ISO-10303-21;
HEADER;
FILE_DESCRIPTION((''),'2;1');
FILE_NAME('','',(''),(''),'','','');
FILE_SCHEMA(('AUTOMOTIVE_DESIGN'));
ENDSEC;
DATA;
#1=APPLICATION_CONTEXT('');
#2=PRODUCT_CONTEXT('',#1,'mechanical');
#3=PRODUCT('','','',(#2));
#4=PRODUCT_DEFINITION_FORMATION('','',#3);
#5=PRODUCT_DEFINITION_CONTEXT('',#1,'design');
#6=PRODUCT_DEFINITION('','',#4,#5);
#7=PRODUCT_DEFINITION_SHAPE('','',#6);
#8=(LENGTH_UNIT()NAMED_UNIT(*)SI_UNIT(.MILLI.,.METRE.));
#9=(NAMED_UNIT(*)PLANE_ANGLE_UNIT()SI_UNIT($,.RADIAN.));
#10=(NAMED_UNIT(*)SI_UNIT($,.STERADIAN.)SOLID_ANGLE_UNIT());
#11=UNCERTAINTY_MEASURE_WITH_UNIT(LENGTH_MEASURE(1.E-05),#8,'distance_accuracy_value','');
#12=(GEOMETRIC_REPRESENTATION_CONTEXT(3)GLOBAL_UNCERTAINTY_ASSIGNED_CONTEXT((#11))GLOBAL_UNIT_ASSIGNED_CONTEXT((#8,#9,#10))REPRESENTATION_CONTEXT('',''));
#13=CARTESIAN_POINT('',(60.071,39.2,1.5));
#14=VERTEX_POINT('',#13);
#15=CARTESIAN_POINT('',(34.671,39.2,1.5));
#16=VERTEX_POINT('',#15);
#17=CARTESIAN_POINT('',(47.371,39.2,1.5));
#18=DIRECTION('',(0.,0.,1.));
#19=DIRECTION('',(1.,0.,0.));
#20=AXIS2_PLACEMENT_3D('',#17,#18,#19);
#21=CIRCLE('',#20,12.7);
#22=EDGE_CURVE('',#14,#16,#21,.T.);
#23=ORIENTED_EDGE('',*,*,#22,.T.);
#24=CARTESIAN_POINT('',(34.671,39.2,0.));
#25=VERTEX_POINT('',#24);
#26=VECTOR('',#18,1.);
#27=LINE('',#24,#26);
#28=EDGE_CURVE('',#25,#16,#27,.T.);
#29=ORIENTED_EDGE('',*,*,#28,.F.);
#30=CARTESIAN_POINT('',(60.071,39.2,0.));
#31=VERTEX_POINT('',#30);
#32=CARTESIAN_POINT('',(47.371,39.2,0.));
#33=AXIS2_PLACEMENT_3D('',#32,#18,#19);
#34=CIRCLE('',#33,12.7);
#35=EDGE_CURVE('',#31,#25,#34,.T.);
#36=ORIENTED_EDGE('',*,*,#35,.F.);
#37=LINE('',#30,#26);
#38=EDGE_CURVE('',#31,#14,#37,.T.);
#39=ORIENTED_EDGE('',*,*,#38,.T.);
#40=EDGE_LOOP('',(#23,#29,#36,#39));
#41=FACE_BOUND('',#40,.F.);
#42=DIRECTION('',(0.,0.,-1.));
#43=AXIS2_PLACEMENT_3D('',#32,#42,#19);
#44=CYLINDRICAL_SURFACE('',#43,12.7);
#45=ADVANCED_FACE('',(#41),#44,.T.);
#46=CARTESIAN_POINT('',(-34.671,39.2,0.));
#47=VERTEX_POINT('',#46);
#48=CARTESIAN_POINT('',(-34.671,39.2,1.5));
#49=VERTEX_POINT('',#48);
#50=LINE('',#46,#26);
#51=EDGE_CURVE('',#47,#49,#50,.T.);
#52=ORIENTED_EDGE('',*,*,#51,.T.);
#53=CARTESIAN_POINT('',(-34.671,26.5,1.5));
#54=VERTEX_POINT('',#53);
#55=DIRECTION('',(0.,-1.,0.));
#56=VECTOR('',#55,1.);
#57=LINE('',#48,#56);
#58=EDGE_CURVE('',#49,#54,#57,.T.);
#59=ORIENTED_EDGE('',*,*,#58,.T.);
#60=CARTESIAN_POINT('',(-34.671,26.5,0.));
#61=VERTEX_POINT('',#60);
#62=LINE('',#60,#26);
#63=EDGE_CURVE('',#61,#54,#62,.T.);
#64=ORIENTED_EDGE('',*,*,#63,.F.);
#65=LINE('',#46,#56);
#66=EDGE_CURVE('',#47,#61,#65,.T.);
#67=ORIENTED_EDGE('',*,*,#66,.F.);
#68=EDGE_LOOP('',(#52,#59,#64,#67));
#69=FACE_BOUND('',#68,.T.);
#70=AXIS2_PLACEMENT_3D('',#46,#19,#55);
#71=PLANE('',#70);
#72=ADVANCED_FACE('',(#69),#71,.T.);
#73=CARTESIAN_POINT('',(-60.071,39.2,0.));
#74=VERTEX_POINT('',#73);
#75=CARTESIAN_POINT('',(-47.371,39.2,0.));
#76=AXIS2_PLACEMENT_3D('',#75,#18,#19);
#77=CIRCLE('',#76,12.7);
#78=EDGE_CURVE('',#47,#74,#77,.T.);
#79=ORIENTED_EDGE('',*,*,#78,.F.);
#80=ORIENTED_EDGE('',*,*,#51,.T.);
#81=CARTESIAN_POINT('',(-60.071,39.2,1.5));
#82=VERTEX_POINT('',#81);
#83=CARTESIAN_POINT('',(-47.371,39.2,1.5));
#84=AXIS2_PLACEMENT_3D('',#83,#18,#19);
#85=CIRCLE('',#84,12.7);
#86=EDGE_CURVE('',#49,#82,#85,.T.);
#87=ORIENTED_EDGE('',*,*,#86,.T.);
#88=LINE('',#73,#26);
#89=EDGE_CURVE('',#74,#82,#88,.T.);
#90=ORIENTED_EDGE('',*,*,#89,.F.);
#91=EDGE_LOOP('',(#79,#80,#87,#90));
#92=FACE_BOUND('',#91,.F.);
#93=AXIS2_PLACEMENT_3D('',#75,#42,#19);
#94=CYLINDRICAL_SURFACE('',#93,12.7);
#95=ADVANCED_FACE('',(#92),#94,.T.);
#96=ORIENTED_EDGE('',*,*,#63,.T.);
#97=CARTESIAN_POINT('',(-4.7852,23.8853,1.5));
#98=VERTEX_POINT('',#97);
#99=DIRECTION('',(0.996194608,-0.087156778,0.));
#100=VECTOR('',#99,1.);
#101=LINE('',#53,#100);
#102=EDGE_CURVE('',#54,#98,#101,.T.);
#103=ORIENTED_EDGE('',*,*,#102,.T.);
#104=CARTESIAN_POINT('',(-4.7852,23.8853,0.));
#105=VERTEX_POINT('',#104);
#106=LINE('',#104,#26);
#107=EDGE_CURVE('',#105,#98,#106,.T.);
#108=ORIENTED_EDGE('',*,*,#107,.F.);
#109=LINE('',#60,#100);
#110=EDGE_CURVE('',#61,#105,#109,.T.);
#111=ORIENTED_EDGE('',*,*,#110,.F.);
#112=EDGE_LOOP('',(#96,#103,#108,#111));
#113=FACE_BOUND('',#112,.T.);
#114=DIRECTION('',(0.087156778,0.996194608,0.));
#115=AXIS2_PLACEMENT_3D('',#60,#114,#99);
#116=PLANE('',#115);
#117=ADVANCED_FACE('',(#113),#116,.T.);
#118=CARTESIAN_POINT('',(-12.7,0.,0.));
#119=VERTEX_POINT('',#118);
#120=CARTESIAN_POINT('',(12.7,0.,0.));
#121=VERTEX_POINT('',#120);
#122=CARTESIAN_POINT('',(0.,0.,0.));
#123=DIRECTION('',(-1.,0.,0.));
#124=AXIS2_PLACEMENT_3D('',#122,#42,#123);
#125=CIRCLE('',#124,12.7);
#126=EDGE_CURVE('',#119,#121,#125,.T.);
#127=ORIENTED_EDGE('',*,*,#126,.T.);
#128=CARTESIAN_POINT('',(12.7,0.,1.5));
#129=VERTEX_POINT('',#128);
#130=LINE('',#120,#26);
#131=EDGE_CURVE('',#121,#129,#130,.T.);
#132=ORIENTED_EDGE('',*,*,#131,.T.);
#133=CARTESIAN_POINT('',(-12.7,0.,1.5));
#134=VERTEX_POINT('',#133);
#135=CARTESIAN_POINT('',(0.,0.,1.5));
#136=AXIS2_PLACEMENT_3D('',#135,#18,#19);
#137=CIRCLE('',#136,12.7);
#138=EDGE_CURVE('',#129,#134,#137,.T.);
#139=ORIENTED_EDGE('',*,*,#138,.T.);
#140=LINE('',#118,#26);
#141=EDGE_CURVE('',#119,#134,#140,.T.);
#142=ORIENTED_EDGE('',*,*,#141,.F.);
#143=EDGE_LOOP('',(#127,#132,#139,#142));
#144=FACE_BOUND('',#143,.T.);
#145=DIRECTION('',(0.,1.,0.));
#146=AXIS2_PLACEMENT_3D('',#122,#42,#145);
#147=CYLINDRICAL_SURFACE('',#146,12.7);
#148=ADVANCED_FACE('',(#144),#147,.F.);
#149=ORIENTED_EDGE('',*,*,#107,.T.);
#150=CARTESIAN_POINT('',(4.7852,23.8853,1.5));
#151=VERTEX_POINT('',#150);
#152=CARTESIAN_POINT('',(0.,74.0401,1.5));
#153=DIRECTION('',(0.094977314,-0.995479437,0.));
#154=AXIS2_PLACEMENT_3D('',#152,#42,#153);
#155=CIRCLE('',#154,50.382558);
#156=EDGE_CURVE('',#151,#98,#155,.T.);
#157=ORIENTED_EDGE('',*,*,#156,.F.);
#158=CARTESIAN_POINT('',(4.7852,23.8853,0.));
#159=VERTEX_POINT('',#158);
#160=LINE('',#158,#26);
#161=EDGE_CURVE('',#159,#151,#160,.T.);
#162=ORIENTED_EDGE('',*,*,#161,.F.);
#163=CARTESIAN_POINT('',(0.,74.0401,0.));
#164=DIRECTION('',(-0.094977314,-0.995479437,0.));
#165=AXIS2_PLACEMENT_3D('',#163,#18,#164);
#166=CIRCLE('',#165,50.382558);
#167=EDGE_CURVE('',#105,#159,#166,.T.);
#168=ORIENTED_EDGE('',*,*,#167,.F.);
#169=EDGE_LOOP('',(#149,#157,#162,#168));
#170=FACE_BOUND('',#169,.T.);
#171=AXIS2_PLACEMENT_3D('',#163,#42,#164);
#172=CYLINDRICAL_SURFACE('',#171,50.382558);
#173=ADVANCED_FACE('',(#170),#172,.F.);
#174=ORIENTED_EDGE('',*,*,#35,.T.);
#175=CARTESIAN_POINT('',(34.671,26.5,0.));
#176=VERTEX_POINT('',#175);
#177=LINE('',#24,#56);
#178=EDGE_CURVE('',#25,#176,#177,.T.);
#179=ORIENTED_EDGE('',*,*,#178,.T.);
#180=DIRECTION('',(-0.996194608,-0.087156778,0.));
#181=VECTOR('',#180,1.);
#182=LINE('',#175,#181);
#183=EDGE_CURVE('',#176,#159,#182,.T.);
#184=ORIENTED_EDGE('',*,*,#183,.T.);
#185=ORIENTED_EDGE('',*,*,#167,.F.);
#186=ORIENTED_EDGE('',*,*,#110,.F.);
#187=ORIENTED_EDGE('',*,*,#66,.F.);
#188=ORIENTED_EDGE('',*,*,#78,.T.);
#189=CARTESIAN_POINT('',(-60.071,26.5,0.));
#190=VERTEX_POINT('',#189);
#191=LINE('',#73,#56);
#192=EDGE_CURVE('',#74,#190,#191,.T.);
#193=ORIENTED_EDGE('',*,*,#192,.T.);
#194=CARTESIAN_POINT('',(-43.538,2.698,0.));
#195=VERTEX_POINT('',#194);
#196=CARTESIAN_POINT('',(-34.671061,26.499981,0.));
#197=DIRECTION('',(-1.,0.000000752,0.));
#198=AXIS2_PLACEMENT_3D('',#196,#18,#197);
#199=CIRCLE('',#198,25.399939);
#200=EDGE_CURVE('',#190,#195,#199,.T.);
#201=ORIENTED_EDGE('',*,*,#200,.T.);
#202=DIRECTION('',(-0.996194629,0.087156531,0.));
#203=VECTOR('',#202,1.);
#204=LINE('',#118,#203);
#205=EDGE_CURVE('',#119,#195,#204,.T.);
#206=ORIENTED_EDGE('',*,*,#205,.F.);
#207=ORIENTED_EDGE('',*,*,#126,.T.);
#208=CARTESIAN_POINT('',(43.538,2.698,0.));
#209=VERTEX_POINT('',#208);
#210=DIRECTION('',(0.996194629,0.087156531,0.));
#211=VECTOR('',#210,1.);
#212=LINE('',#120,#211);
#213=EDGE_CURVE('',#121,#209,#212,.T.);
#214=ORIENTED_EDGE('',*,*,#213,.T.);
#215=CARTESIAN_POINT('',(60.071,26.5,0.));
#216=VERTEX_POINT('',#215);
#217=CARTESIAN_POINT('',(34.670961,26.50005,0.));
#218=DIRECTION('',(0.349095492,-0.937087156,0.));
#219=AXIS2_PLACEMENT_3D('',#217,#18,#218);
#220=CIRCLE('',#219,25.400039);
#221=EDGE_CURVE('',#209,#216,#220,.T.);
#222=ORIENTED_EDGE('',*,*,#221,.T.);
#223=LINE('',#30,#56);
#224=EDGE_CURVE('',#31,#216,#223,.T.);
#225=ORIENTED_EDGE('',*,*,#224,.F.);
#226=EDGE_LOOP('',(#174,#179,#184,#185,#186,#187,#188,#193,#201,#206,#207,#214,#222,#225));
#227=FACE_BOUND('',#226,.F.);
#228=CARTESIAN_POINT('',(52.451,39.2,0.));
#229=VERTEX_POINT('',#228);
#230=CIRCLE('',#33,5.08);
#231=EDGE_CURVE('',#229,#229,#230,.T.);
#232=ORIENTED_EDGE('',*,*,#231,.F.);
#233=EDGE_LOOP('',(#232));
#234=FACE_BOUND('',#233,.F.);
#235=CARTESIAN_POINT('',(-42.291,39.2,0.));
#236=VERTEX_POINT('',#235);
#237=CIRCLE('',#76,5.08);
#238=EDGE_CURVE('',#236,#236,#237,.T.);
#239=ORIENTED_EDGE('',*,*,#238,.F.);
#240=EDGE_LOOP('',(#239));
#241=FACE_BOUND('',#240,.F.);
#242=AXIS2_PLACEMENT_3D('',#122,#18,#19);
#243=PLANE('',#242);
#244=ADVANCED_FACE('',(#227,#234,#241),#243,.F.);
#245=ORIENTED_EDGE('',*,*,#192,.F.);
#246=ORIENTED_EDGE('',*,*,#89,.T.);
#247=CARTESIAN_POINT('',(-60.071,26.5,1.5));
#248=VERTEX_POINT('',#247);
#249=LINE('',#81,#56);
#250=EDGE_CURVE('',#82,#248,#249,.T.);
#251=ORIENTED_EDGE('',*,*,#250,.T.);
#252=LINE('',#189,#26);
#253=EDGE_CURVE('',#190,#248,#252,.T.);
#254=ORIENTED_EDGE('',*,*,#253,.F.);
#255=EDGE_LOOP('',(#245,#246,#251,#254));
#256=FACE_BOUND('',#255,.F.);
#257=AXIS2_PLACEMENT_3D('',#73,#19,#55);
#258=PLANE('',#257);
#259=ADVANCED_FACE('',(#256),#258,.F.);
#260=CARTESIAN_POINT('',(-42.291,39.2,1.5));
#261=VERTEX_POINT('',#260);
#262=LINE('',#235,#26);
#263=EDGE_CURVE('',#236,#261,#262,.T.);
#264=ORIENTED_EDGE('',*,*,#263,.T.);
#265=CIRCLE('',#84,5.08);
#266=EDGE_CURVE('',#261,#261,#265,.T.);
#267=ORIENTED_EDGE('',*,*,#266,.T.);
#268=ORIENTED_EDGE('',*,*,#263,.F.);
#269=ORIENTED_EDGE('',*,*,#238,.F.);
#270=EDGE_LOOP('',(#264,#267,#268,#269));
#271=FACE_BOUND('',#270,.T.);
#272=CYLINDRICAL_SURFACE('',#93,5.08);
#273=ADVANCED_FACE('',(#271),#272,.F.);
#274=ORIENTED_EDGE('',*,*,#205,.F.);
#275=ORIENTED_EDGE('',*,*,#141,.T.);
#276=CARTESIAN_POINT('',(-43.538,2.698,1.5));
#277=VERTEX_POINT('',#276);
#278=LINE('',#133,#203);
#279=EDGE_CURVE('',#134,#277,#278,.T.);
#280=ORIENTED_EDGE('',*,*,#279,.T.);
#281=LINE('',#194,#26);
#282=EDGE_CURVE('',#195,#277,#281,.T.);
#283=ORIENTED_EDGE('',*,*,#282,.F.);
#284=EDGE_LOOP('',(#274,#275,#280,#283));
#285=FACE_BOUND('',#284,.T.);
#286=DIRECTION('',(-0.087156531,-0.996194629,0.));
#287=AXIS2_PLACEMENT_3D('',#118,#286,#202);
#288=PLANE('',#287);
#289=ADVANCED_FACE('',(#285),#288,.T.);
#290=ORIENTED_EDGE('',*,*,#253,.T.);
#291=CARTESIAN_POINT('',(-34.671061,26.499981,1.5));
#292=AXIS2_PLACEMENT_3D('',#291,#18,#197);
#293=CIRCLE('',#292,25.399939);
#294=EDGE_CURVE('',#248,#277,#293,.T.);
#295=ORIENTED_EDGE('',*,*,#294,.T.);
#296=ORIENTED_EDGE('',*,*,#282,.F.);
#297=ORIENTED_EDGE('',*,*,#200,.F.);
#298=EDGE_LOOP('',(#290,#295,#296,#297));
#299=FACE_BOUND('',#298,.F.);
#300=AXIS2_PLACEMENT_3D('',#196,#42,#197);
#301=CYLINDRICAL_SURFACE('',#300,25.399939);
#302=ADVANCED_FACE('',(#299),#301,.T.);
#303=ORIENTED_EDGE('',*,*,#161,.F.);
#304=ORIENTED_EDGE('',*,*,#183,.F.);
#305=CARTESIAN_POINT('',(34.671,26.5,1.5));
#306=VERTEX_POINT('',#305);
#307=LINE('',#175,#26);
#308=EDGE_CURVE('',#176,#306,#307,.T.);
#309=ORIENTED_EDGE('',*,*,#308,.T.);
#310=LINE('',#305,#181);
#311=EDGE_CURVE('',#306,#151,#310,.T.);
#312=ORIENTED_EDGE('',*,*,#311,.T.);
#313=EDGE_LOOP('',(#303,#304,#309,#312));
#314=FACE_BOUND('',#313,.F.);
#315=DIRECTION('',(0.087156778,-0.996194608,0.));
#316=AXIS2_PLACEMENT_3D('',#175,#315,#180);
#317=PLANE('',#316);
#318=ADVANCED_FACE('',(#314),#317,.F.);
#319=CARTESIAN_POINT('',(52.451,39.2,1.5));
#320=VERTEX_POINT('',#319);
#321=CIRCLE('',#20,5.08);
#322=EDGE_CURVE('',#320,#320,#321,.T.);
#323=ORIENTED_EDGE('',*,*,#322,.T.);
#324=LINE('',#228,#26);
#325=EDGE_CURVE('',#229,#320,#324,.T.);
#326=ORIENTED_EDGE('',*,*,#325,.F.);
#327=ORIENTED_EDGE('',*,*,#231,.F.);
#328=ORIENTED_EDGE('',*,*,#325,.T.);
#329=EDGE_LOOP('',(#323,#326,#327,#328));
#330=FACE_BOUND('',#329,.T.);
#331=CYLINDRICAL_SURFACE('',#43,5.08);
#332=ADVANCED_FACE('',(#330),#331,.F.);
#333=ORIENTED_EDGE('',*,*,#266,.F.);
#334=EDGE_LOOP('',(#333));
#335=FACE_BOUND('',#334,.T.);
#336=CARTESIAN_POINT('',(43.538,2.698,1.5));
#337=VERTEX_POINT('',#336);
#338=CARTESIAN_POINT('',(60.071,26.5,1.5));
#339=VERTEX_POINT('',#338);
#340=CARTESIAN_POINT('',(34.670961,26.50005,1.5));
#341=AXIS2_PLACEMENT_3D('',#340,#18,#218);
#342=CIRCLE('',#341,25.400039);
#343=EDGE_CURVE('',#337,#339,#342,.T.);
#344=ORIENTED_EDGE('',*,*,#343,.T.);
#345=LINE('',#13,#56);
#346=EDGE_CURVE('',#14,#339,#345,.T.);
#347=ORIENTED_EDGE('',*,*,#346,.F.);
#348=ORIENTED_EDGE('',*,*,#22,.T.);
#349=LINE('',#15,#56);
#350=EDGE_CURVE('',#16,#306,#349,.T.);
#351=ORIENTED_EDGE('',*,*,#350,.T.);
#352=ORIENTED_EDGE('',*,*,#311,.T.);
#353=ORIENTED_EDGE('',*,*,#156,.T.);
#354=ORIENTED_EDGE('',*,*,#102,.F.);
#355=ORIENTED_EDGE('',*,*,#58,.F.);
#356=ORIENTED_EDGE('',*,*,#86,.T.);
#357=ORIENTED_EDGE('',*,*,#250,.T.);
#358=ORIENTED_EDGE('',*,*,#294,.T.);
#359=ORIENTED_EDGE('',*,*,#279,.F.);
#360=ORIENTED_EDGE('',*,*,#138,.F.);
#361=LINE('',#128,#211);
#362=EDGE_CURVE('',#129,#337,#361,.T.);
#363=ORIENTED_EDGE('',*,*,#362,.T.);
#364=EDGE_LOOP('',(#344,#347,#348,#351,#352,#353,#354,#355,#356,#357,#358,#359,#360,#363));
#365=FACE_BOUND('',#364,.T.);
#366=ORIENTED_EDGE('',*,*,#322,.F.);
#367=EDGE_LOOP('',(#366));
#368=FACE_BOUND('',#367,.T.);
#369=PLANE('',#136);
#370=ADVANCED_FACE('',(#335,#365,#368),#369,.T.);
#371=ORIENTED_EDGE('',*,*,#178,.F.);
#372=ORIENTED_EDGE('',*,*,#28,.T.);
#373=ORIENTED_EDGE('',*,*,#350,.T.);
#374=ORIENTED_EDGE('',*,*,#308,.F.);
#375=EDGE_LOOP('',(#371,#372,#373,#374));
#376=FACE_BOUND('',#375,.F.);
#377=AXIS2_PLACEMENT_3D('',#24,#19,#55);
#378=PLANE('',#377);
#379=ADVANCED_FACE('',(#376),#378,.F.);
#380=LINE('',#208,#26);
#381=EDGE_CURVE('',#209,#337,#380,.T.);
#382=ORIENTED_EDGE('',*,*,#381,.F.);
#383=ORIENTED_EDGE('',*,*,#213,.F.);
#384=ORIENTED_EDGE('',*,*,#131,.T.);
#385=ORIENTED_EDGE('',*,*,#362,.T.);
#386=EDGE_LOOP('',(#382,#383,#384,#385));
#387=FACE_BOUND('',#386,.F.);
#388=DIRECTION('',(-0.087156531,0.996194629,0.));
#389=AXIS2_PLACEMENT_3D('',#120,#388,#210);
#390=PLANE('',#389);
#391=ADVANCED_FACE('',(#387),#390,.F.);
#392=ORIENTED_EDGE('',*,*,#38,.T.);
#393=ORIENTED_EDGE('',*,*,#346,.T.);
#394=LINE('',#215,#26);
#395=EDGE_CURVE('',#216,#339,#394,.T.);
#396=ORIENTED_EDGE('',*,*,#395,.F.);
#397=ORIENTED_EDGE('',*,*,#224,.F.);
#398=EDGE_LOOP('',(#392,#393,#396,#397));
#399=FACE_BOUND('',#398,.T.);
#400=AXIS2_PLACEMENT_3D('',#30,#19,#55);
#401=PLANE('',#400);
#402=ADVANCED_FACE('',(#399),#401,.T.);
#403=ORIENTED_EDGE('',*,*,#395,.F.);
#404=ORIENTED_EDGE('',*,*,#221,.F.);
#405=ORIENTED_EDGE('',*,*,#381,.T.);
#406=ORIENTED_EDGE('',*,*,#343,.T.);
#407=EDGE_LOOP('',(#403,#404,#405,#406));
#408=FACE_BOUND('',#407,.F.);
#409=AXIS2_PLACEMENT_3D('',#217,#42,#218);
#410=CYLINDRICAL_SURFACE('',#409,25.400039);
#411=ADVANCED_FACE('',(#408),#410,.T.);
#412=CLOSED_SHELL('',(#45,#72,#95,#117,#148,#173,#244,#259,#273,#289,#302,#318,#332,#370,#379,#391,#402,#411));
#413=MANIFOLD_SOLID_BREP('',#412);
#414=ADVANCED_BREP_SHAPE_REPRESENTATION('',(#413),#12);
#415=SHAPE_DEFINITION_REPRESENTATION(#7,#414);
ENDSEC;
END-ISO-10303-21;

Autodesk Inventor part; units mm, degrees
ref_plane "YZ Plane" through (0, 0, 0) normal (1, 0, 0) x (0, 1, 0)
ref_plane "XZ Plane" through (0, 0, 0) normal (0, 1, 0) x (-1, 0, 0)
ref_plane "XY Plane" through (0, 0, 0) normal (0, 0, 1) x (1, 0, 0)
sketch "Esboço1" plane through (0, 0, 0) normal (0, 0, 1) x (1, 0, 0)
  arc A0 (0, 12.7) -> (-12.7, 0) centre (0, 0) ccw
  circle A1 centre (-47.371, 39.2) radius 5.08
  line L0 (0, 0) -> (0, 58.6538)
  arc A2 (12.7, 0) -> (0, 12.7) centre (0, 0) ccw
  circle A3 centre (47.371, 39.2) radius 5.08
  line L1 (12.7, 0) -> (43.538, 2.698)
  line L2 (12.7, 0) -> (62.7, 0) construction
  arc A4 (60.071, 39.2) -> (34.671, 39.2) centre (47.371, 39.2) ccw
  line L3 (-12.7, 0) -> (-43.538, 2.698)
  arc A5 (-34.671, 39.2) -> (-60.071, 39.2) centre (-47.371, 39.2) ccw
  line L4 (34.671, 39.2) -> (34.671, 26.5)
  line L5 (-34.671, 39.2) -> (-34.671, 26.5)
  line L6 (60.071, 39.2) -> (60.071, 26.5)
  arc A6 (43.538, 2.698) -> (60.071, 26.5) centre (34.671, 26.5) ccw
  line L7 (-60.071, 39.2) -> (-60.071, 26.5)
  arc A7 (-60.071, 26.5) -> (-43.538, 2.698) centre (-34.671, 26.5) ccw
  line L8 (34.671, 26.5) -> (4.7852, 23.8853)
  line L9 (-34.671, 26.5) -> (-4.7852, 23.8853)
  arc A8 (-4.7852, 23.8853) -> (4.7852, 23.8853) centre (0, 74.0401) ccw
  point P0 (0, 25.2951)
  point P1 (0, 24.8739)
  dimension "d6" = 12.7
  dimension "d10" = 25.4
  dimension "d17" = 5
  dimension "d18" = 12.7
  dimension "d19" = 25.4
  dimension "d20" = 12.7
  dimension "d27" = 12.7
  dimension "d36" = 25.4
  dimension "d37" = 30
extrude "Extrusion2" add sketch "Esboço1" along normal blind 1.5
properties part number "FixaçãoTanque_1" material "Liga de aço"
